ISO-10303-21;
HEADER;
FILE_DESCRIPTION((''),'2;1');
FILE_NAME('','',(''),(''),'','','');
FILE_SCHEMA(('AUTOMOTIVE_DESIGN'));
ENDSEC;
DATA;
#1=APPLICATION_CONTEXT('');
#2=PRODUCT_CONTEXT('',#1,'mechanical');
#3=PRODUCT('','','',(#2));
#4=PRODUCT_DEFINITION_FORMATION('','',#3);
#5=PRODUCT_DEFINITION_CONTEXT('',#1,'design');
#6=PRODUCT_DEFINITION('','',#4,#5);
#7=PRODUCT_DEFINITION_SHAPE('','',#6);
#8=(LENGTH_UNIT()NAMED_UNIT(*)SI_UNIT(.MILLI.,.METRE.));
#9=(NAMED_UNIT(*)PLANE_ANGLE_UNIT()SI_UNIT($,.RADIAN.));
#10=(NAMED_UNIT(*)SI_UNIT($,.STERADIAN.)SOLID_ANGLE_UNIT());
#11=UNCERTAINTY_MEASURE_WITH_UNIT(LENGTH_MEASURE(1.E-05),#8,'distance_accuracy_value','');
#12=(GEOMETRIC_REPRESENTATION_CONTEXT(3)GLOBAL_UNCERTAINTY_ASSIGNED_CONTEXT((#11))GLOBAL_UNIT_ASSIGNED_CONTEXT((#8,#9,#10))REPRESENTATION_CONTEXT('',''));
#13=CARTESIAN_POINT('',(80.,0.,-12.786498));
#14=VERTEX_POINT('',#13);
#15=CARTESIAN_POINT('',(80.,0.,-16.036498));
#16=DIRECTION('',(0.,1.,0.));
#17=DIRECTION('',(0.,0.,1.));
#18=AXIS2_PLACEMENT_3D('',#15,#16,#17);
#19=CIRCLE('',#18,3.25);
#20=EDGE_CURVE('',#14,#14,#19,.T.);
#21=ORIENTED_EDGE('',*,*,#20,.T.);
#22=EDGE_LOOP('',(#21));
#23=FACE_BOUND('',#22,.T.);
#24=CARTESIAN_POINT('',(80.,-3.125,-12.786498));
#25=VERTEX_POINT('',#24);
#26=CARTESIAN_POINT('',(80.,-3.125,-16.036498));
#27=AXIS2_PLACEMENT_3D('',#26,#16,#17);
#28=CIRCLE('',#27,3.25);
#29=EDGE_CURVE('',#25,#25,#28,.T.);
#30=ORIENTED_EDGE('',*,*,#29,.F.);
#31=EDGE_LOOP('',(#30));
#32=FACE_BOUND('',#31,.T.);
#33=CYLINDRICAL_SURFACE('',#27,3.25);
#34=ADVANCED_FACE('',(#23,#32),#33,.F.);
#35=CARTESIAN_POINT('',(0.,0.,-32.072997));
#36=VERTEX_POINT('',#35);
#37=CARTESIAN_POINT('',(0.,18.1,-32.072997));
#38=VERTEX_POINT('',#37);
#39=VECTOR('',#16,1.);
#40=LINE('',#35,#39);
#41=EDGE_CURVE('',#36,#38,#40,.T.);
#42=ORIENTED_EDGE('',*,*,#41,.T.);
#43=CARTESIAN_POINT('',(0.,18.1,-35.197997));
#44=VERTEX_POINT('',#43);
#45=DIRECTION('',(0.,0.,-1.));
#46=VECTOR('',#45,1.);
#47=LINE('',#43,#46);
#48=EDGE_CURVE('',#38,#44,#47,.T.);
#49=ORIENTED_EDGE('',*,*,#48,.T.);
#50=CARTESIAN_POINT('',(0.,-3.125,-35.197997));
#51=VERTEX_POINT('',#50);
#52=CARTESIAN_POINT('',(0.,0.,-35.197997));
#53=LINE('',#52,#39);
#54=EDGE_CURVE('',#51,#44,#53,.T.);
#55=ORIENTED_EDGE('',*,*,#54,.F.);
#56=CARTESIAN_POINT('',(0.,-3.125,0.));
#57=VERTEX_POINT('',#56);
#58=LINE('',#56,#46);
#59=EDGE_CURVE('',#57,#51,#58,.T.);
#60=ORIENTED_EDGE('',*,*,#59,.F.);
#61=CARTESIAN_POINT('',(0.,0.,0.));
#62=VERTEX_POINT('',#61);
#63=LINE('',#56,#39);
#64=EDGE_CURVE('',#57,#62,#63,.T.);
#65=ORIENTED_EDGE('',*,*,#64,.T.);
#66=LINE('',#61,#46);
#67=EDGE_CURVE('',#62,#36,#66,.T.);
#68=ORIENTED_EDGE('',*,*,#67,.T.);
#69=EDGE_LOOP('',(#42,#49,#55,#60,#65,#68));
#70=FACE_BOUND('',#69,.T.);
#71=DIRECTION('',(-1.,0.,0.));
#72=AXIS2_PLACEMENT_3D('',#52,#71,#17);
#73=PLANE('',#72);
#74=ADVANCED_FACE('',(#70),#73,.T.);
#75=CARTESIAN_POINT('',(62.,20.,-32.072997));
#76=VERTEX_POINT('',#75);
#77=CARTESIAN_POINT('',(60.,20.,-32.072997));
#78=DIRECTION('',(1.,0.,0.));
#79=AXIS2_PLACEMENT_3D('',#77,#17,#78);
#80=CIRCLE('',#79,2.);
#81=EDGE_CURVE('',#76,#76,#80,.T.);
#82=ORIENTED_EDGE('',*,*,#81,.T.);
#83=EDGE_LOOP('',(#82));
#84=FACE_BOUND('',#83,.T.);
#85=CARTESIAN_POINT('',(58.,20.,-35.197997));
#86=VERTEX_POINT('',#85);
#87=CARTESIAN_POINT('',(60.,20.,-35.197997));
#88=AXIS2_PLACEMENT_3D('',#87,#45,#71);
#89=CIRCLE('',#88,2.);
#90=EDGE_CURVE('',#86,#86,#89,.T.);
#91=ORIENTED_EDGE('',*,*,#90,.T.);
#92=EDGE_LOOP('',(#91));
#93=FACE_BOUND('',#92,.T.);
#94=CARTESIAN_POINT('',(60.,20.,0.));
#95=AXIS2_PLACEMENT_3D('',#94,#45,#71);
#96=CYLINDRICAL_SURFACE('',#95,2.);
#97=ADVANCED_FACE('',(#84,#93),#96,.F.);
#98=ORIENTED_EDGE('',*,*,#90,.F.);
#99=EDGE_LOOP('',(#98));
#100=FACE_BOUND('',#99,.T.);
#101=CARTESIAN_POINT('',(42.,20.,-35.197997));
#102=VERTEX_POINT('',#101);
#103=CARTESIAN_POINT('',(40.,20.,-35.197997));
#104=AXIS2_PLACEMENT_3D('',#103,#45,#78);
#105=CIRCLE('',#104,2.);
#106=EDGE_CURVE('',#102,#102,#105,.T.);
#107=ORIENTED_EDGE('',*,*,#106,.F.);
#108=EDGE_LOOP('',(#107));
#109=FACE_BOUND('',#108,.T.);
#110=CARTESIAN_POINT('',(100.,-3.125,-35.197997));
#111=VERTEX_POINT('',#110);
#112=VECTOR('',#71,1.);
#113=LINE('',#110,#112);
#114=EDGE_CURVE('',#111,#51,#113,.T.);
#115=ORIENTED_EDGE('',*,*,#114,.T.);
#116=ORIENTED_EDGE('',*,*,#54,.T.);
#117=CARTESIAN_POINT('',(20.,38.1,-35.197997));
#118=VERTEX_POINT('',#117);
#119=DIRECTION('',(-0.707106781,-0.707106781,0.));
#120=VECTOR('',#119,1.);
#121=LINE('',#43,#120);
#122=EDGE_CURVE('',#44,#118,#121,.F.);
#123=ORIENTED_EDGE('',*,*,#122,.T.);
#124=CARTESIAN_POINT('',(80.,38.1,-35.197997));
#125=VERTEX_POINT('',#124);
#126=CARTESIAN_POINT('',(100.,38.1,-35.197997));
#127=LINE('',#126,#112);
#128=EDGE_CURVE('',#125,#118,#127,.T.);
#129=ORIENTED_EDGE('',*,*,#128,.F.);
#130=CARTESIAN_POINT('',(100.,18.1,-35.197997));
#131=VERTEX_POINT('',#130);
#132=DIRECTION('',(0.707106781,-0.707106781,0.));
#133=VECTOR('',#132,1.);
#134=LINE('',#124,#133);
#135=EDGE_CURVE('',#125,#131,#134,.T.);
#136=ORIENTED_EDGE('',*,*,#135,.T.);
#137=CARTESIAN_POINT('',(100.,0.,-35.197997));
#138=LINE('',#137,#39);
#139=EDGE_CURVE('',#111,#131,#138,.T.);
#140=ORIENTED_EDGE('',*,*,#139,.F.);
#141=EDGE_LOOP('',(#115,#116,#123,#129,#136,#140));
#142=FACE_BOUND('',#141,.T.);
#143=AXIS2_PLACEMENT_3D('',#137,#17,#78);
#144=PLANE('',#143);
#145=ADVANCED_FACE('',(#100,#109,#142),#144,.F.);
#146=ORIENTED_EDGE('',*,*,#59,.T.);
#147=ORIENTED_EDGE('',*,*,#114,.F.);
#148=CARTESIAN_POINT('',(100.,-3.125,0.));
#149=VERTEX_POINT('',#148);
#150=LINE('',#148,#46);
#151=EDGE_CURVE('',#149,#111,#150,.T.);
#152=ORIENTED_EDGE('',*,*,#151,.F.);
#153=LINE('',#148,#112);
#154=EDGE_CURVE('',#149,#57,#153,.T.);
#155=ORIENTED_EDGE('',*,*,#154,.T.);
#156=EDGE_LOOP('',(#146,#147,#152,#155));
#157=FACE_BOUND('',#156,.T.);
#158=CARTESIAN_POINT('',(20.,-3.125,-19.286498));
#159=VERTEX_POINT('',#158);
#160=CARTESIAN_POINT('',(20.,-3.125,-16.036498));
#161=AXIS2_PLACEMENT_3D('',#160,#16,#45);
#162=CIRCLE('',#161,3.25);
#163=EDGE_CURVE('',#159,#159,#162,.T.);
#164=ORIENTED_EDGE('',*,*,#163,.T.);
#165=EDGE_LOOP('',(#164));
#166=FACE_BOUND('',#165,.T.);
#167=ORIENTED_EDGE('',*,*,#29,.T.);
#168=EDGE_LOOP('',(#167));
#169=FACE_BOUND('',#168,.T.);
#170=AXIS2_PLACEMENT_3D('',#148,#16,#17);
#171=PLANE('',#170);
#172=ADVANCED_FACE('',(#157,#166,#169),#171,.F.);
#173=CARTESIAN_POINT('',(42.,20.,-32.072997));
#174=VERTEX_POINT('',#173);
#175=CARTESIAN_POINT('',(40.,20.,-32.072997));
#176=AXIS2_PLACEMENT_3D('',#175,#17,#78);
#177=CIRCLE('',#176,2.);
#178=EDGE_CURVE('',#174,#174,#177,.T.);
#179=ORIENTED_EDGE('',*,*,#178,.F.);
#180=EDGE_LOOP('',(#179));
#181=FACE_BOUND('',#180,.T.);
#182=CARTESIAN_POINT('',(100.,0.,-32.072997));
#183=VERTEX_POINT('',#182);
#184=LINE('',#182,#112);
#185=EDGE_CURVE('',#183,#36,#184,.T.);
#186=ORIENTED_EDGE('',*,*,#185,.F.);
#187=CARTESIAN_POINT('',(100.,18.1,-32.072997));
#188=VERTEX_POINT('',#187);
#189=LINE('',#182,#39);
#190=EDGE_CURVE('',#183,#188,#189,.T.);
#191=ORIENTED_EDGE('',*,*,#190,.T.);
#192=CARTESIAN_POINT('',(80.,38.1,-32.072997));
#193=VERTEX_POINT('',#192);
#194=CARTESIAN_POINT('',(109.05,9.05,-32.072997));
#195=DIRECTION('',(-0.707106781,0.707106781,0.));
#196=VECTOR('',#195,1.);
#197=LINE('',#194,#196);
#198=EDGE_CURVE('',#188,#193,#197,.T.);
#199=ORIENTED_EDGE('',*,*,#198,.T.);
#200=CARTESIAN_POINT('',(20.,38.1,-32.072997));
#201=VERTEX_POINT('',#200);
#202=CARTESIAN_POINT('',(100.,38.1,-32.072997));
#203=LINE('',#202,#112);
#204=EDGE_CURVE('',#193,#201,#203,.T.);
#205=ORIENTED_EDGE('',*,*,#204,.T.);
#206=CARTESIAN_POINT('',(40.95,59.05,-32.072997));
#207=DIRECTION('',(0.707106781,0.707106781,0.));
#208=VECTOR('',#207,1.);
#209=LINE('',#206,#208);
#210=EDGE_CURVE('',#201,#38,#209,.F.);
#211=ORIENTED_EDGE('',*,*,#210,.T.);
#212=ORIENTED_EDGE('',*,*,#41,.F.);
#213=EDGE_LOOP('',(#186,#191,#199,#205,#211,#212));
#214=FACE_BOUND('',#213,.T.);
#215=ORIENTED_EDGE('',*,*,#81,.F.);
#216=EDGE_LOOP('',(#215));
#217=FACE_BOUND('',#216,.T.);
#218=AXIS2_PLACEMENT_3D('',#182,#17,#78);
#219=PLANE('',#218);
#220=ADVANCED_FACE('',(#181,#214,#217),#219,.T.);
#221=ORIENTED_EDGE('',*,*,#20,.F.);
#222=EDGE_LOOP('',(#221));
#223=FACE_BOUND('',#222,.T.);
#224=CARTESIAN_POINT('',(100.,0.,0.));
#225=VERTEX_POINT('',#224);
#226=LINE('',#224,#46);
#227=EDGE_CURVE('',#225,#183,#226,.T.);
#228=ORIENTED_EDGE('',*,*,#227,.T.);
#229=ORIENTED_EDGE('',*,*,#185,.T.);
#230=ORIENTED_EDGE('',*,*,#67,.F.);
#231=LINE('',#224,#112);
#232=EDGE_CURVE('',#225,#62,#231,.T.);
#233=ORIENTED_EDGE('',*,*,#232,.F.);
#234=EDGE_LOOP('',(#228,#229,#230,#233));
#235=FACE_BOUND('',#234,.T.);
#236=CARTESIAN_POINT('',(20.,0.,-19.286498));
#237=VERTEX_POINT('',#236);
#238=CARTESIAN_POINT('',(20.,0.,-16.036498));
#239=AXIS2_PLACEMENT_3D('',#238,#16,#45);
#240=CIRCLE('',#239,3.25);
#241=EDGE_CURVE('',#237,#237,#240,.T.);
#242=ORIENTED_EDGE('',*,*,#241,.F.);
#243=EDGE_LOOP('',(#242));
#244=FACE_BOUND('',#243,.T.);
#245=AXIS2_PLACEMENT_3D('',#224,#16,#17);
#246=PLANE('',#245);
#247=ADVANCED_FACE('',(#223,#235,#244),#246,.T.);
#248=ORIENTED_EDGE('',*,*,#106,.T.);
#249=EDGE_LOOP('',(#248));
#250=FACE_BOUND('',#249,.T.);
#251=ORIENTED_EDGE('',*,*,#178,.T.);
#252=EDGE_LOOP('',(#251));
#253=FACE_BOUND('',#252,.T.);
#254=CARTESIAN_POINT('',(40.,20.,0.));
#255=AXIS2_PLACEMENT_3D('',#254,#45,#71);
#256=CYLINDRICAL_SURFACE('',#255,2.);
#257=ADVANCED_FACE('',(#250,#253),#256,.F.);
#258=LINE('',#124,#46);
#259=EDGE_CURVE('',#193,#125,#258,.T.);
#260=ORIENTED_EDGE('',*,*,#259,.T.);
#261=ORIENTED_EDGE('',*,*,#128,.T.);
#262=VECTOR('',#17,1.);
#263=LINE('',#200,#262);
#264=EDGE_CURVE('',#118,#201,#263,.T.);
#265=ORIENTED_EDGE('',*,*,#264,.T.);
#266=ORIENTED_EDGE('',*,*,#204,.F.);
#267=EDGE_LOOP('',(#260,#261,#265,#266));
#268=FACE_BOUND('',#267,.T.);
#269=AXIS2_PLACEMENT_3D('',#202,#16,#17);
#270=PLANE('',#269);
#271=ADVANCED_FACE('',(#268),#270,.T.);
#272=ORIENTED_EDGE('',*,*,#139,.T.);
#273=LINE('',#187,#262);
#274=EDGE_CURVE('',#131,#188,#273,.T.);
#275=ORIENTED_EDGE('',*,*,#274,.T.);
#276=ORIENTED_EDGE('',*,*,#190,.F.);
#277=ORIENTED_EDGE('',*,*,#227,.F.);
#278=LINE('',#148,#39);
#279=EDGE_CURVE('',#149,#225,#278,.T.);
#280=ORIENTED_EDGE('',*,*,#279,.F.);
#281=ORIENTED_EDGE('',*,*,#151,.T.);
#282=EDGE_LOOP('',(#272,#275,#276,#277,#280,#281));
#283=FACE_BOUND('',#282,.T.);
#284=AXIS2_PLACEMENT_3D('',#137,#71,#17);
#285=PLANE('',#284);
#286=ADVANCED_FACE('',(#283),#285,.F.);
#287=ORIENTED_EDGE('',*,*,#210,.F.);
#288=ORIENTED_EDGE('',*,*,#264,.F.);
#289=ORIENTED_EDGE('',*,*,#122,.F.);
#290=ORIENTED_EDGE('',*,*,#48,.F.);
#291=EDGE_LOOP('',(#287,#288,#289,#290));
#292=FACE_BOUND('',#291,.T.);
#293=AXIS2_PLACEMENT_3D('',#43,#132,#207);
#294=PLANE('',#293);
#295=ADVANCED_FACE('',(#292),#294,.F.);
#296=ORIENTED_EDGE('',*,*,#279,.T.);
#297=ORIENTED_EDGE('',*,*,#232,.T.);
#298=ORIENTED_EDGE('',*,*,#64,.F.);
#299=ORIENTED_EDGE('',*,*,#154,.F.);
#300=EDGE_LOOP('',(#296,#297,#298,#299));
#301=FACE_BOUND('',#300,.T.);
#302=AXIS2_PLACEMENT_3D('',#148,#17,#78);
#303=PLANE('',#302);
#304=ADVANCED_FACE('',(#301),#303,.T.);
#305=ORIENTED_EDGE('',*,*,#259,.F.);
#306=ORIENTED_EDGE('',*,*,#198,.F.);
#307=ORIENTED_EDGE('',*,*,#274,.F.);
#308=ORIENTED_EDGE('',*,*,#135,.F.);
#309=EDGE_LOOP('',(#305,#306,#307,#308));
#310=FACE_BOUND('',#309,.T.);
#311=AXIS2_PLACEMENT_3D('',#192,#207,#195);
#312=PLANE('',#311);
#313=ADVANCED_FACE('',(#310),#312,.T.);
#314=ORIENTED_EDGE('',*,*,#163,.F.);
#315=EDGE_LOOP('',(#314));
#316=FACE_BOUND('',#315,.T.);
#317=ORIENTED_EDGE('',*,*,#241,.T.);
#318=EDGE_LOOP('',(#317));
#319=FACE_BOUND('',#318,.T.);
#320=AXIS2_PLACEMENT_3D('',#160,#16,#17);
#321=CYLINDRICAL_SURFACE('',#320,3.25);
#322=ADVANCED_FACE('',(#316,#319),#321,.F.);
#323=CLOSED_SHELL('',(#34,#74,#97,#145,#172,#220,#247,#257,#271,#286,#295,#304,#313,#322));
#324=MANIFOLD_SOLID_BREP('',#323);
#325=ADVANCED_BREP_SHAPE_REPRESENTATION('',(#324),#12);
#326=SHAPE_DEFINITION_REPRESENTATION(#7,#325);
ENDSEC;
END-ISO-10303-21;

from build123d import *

# Parameters (mm, degrees)
EXTRUDE_THIN1_DEPTH = 100
SKETCH2_R           = 2
CUT_EXTRUDE1_DEPTH  = 36.197996578
CHAMFER1_SIZE       = 20
SKETCH3_R           = 3.25
CUT_EXTRUDE2_DEPTH  = 4.125


with BuildPart() as part:
    # Sketch1 → Extrude-Thin1 (new body)
    with BuildSketch(Plane(origin=(0, 0, 0), x_dir=(0, 0, -1), z_dir=(1, 0, 0))):
        Polygon((0, 0), (32.072996578, 0), (32.072996578, 38.1), (35.197996578, 38.1), (35.197996578, -3.125), (0, -3.125), align=None)
    extrude(amount=EXTRUDE_THIN1_DEPTH)

    # Sketch2 → Cut-Extrude1 (cut, through all)
    with BuildSketch(Plane(origin=(0, 0, -35.197996578), x_dir=(-1, 0, 0), z_dir=(0, 0, -1))):
        with Locations(Location((-40, 20, 0), (0, 0, 180))):  # turned: the seam where the file's is
            Circle(SKETCH2_R)
        with Locations((-60, 20)):
            Circle(SKETCH2_R)
    extrude(amount=-CUT_EXTRUDE1_DEPTH, mode=Mode.SUBTRACT)

    # Chamfer1
    chamfer1_edges = [part.edges().sort_by_distance(p)[0] for p in [
        (0, 38.1, -33.635496578),
        (100, 38.1, -33.635496578),
    ]]
    chamfer(chamfer1_edges, length=CHAMFER1_SIZE)

    # Sketch3 → Cut-Extrude2 (cut, through all)
    with BuildSketch(Plane(origin=(0, 0, 0), x_dir=(-1, 0, 0), z_dir=(0, 1, 0))):
        with Locations(Location((-80, -16.036498289, 0), (0, 0, 90))):  # turned: the seam where the file's is
            Circle(SKETCH3_R)
        with Locations(Location((-20, -16.036498289, 0), (0, 0, 270))):  # turned: the seam where the file's is
            Circle(SKETCH3_R)
    extrude(amount=-CUT_EXTRUDE2_DEPTH, mode=Mode.SUBTRACT)


solid = part.part
